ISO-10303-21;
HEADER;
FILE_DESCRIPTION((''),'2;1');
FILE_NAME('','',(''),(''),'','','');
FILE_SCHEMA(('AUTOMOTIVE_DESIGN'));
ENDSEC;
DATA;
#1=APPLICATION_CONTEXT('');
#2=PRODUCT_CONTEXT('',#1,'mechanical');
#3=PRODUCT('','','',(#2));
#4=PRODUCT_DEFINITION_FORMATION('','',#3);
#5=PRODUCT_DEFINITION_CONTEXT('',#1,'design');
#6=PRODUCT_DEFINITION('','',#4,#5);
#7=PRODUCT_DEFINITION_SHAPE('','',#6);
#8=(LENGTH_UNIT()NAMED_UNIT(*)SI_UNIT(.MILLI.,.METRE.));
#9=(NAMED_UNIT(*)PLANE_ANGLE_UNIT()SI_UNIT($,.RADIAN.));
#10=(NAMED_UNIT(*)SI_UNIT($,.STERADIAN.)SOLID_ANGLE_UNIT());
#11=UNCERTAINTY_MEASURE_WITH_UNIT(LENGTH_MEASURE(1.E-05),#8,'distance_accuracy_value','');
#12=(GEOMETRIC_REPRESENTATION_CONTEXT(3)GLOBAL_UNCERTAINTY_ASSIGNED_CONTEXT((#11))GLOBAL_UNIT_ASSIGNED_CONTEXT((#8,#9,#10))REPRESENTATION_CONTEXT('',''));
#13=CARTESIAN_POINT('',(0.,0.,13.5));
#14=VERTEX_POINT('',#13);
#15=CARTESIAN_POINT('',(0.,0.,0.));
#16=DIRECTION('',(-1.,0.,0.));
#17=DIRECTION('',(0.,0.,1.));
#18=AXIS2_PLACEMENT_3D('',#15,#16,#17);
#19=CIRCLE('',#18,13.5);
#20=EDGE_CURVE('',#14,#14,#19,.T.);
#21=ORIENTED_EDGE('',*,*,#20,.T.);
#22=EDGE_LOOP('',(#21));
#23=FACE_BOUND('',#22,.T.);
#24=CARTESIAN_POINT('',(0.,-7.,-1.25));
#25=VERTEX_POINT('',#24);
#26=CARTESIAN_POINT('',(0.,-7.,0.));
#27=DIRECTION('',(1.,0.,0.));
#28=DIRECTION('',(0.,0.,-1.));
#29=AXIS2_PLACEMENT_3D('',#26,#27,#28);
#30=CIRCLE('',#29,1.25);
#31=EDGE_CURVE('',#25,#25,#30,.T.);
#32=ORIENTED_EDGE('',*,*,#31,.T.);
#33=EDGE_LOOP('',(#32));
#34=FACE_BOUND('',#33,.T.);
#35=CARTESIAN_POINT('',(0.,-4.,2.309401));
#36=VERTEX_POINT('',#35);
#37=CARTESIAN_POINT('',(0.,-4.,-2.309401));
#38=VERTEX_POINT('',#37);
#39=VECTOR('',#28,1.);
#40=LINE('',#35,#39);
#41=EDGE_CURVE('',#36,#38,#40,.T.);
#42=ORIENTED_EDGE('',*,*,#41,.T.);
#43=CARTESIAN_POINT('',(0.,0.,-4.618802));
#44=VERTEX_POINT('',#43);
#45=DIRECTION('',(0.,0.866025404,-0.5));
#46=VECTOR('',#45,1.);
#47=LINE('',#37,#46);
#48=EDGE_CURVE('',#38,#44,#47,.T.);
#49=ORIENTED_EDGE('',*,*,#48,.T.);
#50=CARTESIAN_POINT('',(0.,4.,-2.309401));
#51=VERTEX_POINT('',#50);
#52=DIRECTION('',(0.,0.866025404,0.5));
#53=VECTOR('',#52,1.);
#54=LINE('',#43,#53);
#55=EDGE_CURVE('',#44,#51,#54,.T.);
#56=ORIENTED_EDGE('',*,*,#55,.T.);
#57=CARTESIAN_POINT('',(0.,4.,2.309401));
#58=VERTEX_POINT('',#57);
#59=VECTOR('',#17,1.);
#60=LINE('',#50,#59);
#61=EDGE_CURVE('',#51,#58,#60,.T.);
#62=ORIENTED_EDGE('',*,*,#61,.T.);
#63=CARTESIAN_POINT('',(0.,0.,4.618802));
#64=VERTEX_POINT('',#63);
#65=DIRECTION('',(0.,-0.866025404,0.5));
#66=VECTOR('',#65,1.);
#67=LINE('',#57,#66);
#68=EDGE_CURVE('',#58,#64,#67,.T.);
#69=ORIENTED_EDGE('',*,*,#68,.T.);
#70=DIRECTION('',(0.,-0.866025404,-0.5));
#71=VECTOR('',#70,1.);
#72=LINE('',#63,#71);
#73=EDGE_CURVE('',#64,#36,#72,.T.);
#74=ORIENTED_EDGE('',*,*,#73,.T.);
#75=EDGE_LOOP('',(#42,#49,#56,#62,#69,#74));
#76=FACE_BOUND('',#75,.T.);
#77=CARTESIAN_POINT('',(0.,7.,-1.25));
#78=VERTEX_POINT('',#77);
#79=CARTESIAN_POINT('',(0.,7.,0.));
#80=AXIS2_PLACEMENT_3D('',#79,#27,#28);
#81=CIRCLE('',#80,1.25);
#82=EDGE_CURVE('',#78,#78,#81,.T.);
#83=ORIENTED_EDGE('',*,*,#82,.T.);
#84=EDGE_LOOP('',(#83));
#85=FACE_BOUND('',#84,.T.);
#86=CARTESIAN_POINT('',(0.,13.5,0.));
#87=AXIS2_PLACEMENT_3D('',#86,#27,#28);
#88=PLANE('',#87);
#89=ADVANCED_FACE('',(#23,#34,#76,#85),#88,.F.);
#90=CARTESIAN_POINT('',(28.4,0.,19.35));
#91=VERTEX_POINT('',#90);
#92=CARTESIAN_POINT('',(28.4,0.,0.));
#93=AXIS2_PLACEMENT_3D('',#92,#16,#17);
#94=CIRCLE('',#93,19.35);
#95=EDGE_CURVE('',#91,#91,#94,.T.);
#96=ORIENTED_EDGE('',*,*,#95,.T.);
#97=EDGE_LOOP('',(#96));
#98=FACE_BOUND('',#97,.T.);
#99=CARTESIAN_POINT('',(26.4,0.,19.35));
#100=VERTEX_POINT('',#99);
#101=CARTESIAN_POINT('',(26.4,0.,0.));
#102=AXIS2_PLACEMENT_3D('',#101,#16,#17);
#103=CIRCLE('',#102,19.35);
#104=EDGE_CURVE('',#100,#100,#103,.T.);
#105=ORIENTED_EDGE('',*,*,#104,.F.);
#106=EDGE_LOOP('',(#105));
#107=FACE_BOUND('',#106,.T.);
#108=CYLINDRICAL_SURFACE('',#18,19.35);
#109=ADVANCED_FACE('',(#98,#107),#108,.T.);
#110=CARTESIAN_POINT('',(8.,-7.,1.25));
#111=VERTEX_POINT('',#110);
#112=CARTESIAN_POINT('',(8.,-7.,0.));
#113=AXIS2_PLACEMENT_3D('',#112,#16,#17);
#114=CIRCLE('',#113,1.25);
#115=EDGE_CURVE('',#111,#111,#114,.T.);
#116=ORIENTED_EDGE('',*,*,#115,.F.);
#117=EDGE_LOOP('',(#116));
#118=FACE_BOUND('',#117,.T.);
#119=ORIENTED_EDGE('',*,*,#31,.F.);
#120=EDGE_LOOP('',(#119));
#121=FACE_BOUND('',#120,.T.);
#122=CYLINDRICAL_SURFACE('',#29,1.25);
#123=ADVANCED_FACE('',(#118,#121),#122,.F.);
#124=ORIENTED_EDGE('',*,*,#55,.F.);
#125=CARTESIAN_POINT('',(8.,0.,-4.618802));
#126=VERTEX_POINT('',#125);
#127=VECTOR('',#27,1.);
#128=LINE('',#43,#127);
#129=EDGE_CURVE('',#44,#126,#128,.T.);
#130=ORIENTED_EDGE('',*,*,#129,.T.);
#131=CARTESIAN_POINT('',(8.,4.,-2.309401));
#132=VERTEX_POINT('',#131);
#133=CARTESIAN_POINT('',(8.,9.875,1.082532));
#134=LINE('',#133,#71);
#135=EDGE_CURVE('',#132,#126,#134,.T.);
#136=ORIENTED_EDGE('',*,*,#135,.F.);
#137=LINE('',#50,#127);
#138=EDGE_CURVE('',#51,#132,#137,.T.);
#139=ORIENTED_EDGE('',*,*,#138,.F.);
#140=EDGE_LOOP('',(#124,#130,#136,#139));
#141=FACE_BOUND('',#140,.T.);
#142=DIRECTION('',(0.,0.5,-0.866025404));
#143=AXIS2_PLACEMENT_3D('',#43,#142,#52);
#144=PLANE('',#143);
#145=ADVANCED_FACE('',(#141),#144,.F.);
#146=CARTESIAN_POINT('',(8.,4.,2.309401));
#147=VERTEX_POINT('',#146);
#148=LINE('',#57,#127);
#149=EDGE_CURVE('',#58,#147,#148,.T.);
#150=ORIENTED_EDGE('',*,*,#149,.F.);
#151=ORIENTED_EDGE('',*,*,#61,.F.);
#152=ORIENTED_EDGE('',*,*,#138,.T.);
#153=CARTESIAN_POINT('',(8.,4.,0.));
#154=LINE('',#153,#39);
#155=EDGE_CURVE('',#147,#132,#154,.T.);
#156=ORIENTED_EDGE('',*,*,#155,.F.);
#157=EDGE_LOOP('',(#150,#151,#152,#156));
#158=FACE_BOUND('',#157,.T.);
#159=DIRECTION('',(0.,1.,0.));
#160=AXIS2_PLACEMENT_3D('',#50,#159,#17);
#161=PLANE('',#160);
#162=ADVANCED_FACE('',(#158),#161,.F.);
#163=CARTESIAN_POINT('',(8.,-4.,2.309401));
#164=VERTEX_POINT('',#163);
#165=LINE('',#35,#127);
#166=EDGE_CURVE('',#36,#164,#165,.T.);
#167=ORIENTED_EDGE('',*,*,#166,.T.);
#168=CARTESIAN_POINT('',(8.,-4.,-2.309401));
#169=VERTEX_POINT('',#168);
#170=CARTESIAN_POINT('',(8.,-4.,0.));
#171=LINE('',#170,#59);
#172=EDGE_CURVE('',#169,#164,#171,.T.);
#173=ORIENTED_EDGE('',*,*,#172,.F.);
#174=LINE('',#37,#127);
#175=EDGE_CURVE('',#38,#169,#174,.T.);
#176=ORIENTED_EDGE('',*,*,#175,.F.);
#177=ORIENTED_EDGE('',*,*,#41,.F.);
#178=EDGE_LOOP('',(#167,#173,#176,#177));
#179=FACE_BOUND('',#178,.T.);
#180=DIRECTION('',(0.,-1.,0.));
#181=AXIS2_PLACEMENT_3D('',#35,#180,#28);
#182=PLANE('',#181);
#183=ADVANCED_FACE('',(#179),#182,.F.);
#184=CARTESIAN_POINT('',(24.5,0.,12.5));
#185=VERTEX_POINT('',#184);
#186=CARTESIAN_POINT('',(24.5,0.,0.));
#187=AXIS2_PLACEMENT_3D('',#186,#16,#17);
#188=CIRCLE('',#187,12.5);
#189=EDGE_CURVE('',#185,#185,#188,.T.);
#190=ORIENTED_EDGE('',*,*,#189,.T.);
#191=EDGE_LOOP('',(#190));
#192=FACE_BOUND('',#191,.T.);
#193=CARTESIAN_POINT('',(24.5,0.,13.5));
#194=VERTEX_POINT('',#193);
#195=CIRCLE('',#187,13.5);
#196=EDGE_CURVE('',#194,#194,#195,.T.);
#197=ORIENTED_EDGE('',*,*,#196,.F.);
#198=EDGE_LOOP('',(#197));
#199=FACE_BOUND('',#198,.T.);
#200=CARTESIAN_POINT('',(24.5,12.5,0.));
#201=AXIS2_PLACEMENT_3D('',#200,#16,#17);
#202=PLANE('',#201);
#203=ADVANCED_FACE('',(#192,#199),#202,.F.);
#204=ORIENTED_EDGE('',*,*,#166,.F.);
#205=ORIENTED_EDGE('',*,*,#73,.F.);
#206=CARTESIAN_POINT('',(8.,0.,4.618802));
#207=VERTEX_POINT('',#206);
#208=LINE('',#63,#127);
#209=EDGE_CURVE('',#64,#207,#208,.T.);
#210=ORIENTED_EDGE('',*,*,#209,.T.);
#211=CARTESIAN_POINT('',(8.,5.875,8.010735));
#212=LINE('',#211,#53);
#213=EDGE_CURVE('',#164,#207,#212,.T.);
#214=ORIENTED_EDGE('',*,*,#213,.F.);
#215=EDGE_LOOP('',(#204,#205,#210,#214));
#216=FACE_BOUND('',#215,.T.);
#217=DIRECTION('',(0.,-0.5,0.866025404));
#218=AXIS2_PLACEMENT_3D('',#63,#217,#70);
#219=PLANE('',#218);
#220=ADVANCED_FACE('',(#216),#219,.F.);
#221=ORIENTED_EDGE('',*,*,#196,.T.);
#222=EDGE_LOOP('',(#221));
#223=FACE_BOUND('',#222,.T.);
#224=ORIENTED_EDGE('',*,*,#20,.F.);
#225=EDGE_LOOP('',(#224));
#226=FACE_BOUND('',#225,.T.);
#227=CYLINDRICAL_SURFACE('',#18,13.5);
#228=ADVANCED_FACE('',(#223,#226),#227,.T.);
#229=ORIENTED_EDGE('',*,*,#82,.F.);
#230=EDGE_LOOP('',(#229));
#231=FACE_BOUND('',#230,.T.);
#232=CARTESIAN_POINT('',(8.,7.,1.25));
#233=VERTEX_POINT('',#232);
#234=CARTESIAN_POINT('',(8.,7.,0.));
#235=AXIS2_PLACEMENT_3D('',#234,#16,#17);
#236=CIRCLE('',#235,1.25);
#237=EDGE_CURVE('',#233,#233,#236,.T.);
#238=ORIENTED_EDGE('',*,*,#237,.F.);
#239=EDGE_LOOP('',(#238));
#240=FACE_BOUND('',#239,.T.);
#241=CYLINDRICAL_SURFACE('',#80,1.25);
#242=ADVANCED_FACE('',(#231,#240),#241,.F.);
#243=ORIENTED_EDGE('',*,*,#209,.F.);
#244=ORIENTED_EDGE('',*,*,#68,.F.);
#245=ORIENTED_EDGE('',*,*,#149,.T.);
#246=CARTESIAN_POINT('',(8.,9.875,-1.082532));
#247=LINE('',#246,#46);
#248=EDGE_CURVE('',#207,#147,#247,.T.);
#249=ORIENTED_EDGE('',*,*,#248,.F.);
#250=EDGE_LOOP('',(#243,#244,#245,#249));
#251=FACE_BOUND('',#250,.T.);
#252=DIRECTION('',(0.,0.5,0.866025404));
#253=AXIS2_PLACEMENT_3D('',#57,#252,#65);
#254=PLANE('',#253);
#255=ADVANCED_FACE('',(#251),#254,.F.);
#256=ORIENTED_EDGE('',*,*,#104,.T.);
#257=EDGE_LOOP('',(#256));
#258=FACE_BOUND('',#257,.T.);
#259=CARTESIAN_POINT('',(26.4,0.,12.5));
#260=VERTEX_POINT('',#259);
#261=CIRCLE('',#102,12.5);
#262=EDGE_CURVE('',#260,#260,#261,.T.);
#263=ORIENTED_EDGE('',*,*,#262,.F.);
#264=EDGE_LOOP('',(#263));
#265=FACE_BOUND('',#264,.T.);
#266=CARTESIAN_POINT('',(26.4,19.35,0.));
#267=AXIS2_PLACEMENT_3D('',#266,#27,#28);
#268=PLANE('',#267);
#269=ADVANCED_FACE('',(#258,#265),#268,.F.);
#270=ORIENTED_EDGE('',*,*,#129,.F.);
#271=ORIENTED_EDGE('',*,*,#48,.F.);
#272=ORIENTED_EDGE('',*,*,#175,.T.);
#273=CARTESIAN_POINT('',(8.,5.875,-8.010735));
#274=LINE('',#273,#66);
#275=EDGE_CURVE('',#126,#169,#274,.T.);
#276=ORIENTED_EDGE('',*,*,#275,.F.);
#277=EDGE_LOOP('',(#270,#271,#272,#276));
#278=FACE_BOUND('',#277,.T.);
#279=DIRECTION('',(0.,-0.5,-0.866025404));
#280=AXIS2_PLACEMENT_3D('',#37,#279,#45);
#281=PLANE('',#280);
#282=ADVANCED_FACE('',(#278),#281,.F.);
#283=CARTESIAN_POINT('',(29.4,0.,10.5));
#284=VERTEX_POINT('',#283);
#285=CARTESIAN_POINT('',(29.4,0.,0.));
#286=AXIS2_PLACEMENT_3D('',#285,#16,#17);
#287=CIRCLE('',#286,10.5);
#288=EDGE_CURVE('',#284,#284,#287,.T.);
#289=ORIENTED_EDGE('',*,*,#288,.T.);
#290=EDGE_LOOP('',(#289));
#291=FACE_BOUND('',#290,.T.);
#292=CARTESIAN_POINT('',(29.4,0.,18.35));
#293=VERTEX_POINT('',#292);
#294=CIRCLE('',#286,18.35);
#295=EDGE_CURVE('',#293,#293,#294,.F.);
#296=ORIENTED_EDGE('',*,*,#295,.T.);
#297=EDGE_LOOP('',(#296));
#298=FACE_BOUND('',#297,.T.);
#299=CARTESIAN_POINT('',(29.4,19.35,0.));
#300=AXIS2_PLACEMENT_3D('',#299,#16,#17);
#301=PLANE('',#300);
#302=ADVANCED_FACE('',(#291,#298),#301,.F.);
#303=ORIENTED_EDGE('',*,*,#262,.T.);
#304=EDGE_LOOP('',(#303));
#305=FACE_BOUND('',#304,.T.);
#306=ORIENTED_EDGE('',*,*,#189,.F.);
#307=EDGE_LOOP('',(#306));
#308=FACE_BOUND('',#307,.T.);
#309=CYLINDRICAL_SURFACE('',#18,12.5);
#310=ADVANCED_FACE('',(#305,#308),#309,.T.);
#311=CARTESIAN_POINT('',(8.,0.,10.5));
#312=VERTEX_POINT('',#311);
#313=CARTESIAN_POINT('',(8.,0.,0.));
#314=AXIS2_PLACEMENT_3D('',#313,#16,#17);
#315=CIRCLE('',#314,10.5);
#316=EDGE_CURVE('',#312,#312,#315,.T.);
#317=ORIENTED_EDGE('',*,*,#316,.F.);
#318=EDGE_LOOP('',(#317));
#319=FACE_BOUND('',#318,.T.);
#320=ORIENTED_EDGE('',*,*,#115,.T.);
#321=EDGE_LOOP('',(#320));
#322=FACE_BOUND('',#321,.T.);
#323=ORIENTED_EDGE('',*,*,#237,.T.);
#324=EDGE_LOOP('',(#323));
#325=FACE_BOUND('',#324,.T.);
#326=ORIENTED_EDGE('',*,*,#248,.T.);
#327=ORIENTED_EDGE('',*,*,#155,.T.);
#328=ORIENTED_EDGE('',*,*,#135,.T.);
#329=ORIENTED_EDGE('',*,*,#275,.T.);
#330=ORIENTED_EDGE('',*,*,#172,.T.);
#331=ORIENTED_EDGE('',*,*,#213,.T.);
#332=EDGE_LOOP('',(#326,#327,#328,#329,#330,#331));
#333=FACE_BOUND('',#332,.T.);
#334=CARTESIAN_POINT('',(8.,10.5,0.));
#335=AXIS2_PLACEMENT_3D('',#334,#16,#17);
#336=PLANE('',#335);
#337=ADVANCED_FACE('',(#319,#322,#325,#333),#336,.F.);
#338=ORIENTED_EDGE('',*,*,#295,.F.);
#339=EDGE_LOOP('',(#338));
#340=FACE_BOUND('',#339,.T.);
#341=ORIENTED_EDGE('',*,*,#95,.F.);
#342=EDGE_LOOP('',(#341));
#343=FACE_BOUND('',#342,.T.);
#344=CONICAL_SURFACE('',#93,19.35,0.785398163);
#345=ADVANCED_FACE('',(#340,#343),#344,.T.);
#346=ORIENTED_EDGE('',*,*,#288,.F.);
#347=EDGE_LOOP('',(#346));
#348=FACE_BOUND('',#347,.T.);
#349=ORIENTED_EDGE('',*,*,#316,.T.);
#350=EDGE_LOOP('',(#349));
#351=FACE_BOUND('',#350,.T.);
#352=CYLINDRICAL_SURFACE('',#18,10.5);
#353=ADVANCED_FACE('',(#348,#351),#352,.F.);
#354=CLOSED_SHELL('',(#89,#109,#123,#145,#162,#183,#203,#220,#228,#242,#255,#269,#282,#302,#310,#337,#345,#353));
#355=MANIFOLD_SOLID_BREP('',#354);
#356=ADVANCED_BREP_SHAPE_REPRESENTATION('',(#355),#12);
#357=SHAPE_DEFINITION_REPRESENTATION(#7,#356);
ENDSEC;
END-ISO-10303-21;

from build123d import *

# Parameters (mm, degrees)
CUT_EXTRUDE_1_DEPTH = 30.4
CHAMFER_1_SIZE      = 1
SKETCH_3_R          = 1.25
CUT_EXTRUDE_2_DEPTH = 30.4


with BuildPart() as part:
    # 草图1 → 旋转1 (revolve)
    with BuildSketch(Plane.XY):
        Polygon((29.4, 19.35), (29.4, 10.5), (8, 10.5), (8, 0), (0, 0), (0, 13.5), (24.5, 13.5), (24.5, 12.5), (26.4, 12.5), (26.4, 19.35), align=None)
    revolve(axis=Axis((0, 0, 0), (1, 0, 0)))

    # 草图2 → 切除-拉伸1 (cut, through all)
    with BuildSketch(Plane(origin=(29.4, 0, 0), x_dir=(0, 0, -1), z_dir=(1, 0, 0))):
        Polygon((-2.309401077, 4), (-4.618802154, 0), (-2.309401077, -4), (2.309401077, -4), (4.618802154, 0), (2.309401077, 4), align=None)
    extrude(amount=-CUT_EXTRUDE_1_DEPTH, mode=Mode.SUBTRACT)

    # 倒角1
    chamfer_1_edges = [part.edges().sort_by_distance(p)[0] for p in [
        (29.4, -19.35, 0),
    ]]
    chamfer(chamfer_1_edges, length=CHAMFER_1_SIZE)

    # 草图3 → 切除-拉伸2 (cut, through all)
    with BuildSketch(Plane(origin=(29.4, 0, 0), x_dir=(0, 0, -1), z_dir=(1, 0, 0))):
        with Locations((0, 7)):
            Circle(SKETCH_3_R)
        with Locations((0, -7)):
            Circle(SKETCH_3_R)
    extrude(amount=-CUT_EXTRUDE_2_DEPTH, mode=Mode.SUBTRACT)


solid = part.part
